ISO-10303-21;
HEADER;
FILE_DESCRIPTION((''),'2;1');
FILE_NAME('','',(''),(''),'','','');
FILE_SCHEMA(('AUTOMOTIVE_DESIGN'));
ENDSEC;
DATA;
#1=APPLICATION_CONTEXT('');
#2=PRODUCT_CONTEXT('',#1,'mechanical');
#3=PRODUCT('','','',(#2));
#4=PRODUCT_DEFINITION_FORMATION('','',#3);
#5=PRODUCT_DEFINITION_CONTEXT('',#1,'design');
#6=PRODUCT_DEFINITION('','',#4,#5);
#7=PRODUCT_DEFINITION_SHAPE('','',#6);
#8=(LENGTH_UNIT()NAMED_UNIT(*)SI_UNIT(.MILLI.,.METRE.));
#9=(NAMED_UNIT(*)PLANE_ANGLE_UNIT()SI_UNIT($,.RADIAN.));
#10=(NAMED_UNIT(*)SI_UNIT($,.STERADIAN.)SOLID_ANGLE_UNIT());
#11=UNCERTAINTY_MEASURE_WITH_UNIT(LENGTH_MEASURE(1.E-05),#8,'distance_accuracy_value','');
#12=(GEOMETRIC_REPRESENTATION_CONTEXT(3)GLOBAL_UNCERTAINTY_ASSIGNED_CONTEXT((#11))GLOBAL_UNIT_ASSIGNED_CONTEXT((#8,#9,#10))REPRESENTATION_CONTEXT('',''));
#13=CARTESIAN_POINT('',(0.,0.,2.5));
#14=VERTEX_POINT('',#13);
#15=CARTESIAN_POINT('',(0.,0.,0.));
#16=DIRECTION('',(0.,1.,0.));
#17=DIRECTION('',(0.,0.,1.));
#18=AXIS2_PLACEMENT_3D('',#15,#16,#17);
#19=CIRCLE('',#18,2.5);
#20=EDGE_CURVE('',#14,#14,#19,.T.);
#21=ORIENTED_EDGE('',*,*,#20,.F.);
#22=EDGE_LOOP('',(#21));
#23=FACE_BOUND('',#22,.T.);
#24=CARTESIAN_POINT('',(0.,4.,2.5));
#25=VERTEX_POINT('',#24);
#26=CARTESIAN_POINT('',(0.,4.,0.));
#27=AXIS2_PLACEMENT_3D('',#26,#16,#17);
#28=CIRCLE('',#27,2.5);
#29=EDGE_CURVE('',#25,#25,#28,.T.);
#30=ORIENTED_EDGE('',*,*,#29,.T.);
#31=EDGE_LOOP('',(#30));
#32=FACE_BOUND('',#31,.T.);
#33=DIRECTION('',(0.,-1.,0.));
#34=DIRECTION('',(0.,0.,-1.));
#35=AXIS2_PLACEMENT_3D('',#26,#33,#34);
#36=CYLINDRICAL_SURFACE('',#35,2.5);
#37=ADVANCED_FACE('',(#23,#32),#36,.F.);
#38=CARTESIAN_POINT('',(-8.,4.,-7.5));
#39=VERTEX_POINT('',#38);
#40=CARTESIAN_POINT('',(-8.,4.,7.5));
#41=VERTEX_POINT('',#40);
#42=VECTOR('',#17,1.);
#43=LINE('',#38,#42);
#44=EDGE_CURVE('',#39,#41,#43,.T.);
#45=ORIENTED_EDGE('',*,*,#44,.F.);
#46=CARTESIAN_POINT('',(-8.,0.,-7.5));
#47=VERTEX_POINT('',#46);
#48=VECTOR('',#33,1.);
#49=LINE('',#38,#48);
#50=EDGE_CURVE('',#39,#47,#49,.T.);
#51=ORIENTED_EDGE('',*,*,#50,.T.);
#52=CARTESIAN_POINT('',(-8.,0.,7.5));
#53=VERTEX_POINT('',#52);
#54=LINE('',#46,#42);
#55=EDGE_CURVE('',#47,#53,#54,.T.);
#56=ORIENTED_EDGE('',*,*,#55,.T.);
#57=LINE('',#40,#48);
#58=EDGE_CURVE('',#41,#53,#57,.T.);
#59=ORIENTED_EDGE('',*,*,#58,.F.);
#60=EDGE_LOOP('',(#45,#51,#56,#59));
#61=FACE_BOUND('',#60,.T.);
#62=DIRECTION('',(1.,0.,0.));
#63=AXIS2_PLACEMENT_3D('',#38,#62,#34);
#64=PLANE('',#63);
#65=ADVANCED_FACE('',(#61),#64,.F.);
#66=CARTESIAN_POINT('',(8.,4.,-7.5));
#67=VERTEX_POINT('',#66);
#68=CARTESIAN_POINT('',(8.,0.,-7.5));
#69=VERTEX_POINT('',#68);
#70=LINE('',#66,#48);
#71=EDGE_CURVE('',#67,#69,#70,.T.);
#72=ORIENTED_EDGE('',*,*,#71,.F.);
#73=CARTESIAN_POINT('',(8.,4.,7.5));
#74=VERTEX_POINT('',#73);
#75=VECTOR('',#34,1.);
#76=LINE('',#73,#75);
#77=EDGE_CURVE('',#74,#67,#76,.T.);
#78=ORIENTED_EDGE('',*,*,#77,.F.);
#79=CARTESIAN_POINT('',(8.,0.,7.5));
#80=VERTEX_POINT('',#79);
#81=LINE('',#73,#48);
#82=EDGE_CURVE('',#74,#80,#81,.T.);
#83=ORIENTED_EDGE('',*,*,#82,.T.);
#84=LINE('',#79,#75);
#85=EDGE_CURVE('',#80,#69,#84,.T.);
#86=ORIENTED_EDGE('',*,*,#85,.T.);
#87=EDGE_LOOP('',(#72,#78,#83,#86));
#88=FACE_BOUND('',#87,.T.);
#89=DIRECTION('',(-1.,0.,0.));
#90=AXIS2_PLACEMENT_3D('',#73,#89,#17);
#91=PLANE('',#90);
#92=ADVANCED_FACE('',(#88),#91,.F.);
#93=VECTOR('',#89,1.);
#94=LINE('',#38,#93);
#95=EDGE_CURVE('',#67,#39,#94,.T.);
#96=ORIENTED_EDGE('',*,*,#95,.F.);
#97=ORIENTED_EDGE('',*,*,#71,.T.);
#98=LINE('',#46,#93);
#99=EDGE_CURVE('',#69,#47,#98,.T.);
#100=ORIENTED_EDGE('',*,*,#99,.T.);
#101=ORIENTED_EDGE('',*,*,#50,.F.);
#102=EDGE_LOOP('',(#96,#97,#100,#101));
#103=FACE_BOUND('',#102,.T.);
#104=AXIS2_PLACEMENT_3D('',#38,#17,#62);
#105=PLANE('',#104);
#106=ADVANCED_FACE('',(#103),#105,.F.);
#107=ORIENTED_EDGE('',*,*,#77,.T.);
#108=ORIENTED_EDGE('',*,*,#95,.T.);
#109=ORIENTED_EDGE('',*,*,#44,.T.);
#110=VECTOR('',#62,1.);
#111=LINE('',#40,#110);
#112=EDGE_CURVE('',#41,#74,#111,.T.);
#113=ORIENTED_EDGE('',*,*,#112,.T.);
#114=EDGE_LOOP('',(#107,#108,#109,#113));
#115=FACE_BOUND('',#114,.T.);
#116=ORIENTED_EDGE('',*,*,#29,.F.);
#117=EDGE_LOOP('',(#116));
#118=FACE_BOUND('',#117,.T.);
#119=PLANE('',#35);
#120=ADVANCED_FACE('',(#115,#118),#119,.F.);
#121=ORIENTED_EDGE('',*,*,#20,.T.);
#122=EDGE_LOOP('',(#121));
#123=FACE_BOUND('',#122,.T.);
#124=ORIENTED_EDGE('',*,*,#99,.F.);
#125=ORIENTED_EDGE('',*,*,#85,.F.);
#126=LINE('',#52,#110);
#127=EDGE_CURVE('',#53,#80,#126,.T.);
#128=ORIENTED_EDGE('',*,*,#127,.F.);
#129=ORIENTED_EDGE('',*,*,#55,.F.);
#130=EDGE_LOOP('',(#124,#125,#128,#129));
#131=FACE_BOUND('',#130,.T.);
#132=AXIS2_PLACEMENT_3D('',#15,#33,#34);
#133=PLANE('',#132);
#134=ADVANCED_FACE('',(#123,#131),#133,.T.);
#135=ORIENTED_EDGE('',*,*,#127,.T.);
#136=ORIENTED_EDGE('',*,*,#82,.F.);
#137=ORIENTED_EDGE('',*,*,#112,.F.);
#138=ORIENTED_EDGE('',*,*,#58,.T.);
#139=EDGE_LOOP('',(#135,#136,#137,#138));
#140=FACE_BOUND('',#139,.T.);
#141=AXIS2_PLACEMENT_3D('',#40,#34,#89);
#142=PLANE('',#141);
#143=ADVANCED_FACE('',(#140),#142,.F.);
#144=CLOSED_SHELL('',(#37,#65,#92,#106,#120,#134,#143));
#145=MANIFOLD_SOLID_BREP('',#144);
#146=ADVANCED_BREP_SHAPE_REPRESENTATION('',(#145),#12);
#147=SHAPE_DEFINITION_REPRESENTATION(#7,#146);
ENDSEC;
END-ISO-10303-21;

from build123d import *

# Parameters (mm, degrees)
IZIM1_W                     = 16
IZIM1_H                     = 15
IZIM1_R                     = 2.5
Y_KSEKLIK_EKSTR_ZYON1_DEPTH = 4


with BuildPart() as part:
    # Çizim1 → Yükseklik-Ekstrüzyon1 (new body)
    with BuildSketch(Plane(origin=(0, 0, 0), x_dir=(1, 0, 0), z_dir=(0, 1, 0))):
        Rectangle(IZIM1_W, IZIM1_H)
        with Locations(Location((0, 0, 0), (0, 0, 270))):
            Circle(IZIM1_R, mode=Mode.SUBTRACT)
    extrude(amount=Y_KSEKLIK_EKSTR_ZYON1_DEPTH)


solid = part.part
